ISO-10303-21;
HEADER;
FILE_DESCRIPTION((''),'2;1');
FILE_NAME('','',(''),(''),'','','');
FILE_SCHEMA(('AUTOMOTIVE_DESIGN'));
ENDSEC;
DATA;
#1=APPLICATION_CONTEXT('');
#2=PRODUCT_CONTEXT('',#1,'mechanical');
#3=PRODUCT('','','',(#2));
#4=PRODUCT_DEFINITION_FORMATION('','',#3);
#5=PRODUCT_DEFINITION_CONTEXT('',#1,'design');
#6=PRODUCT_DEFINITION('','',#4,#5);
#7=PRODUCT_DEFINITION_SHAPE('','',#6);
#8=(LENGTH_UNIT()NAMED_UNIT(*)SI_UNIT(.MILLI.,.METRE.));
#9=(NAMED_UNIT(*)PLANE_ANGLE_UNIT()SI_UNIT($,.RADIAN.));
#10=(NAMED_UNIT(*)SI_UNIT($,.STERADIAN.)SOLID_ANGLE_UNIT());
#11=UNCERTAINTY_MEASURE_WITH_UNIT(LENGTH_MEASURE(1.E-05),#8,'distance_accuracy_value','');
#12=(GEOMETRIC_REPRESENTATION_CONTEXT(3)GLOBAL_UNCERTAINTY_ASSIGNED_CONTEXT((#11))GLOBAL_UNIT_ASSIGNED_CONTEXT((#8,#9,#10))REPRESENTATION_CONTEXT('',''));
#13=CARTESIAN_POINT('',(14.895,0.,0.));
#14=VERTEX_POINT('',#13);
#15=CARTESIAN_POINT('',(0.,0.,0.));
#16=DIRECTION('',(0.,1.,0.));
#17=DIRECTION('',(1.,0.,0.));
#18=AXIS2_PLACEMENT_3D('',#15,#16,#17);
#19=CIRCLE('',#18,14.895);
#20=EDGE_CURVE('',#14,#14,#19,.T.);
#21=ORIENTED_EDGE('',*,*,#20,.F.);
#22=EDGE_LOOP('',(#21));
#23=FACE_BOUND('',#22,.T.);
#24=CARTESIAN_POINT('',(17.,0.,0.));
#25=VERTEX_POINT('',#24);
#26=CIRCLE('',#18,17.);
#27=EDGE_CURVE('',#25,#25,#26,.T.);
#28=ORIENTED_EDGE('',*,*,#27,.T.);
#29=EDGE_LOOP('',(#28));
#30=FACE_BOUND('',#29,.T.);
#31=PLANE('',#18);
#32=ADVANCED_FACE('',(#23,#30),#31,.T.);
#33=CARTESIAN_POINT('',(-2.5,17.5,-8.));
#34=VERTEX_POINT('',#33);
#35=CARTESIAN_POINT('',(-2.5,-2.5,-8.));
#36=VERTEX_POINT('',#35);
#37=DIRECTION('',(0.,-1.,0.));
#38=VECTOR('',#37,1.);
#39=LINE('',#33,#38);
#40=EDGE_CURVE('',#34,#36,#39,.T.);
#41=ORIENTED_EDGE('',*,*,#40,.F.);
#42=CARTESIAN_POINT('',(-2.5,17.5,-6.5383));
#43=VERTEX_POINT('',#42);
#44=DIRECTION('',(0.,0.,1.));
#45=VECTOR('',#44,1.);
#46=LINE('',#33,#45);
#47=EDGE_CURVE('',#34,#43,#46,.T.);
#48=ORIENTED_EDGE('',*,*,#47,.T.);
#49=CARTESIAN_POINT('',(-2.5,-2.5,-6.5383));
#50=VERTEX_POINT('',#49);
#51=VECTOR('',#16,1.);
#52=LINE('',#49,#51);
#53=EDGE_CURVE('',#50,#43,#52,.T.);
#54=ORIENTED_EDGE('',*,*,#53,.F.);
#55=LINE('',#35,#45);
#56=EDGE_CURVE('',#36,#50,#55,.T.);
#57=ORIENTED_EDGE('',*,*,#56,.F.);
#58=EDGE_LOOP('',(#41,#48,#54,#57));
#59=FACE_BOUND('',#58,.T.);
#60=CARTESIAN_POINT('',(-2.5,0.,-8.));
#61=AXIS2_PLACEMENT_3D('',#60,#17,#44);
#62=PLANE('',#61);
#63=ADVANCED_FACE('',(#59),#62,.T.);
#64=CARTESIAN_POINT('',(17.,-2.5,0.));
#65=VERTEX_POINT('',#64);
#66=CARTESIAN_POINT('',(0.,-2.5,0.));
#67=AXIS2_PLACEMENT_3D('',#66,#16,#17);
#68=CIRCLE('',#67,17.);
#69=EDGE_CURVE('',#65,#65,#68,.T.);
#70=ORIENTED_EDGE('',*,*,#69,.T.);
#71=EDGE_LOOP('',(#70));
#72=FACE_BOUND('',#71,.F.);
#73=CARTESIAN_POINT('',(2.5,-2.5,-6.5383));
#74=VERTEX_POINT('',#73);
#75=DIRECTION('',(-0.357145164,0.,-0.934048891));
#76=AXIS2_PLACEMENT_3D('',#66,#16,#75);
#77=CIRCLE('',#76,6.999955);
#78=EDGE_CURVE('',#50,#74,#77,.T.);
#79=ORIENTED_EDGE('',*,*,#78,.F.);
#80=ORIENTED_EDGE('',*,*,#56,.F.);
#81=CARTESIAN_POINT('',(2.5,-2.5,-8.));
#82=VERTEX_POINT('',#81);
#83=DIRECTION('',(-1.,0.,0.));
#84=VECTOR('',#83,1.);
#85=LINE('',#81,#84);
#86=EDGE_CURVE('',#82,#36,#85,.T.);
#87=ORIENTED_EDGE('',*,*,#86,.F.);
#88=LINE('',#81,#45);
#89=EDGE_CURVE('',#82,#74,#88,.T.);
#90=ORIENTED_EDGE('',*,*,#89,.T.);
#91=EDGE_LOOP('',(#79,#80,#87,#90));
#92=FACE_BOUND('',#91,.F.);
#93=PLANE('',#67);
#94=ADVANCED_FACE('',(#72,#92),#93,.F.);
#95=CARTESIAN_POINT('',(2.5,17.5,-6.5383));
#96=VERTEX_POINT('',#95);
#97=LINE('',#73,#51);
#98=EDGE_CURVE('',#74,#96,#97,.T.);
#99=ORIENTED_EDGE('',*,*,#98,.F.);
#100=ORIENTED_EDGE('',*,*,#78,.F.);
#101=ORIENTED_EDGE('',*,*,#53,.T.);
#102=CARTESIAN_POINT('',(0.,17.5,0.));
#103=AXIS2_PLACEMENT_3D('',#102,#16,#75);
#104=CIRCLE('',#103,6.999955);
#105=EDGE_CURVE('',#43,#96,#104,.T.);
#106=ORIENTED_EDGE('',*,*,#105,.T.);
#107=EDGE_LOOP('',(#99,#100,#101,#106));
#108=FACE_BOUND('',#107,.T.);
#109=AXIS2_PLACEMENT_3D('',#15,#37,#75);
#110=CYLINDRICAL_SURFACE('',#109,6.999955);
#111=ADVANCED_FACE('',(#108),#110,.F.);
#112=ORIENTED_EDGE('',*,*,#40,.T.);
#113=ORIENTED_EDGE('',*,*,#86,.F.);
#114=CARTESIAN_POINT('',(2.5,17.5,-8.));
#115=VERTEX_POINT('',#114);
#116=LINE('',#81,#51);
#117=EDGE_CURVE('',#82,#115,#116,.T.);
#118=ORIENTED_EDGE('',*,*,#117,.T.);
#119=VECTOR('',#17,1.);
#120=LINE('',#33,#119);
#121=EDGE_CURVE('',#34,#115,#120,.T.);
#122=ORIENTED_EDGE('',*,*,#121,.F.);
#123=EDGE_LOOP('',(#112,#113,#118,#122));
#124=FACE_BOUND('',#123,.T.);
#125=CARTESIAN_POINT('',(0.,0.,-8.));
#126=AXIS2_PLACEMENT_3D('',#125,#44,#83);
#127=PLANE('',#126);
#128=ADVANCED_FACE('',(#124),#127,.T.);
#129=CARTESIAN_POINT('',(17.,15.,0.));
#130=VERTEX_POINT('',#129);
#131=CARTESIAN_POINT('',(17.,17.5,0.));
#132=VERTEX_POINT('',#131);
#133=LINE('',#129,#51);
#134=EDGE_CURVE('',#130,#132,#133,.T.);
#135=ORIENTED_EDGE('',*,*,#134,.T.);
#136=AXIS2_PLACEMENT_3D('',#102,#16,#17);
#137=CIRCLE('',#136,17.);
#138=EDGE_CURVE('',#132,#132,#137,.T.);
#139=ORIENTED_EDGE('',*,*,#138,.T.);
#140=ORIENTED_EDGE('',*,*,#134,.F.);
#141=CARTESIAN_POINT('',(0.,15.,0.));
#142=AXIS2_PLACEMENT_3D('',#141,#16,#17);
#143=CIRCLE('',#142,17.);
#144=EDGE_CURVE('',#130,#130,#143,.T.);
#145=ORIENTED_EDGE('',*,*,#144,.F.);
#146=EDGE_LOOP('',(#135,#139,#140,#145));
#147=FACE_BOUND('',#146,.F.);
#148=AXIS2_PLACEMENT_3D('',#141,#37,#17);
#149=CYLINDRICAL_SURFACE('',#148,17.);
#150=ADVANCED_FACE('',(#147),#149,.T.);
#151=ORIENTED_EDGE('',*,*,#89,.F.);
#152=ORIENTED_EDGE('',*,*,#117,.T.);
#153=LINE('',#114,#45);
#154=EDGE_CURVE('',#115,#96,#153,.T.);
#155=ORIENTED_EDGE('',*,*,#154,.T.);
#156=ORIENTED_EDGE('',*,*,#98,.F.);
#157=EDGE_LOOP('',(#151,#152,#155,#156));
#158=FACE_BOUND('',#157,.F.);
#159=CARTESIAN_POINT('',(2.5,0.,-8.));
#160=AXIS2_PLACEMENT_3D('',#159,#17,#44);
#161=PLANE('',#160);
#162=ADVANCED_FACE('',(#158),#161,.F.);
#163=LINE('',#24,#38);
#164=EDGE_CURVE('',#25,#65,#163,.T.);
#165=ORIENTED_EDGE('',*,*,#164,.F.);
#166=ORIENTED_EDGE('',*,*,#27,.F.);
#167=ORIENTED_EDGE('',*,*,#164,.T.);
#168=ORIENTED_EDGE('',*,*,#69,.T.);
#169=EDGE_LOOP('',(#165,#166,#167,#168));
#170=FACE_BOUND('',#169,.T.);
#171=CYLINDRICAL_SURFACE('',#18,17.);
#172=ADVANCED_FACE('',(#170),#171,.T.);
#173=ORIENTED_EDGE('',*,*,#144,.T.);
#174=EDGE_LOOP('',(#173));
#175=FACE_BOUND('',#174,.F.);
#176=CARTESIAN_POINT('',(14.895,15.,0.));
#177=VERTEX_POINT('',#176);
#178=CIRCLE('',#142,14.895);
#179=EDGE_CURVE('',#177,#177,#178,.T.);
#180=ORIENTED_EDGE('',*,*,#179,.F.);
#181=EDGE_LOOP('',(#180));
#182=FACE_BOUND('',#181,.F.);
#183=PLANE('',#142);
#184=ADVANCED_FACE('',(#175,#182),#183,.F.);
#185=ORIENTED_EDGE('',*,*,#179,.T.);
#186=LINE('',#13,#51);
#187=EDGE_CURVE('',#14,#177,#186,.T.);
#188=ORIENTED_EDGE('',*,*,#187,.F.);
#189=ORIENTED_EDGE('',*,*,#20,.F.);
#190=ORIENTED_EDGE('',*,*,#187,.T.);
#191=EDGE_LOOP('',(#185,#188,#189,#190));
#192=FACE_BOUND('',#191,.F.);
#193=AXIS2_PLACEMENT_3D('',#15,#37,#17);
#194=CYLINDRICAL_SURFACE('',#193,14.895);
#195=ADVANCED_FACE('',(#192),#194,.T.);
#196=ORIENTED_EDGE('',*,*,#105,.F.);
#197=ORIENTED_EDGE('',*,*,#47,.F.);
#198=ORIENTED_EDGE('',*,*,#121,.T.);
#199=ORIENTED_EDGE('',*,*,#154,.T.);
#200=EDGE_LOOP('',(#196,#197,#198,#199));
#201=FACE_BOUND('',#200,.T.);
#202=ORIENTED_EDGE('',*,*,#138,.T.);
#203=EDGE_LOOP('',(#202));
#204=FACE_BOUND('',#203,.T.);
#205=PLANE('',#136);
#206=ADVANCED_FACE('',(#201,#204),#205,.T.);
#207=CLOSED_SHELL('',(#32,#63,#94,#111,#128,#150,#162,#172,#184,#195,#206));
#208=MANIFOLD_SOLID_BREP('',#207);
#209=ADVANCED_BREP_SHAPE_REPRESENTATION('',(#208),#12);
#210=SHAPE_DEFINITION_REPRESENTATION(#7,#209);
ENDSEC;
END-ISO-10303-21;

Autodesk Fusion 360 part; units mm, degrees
sketch "Sketch1" plane through (0, 0, 0) normal (0, 1, 0) x (1, 0, 0)
  circle A0 centre (0, 0) radius 17
  circle A1 centre (0, 0) radius 14.895
  line L0 (0, 0) -> (0, 8) construction
  line L1 (0, 8) -> (2.5, 8)
  line L2 (2.5, 8) -> (2.5, 6.5383)
  line L3 (0, 8) -> (-2.5, 8)
  line L4 (-2.5, 8) -> (-2.5, 6.5383)
  arc A2 (-2.5, 6.5383) -> (2.5, 6.5383) centre (0, 0) ccw
  dimension "d1" = 34
  dimension "d2" = 29.79
  dimension "d3" = 14
  dimension "d4" = 2.5
  dimension "d5" = 2.5
  dimension "d6" = 8
extrude "Extrude1" add sketch "Sketch1" against normal blind 2.5 contours A0 | A1
extrude "Extrude2" add sketch "Sketch1" along normal blind 15 contours A1
extrude "Extrude3" add sketch "Sketch1" along normal blind 2.5 from surface at 15 contours A0 | A1
